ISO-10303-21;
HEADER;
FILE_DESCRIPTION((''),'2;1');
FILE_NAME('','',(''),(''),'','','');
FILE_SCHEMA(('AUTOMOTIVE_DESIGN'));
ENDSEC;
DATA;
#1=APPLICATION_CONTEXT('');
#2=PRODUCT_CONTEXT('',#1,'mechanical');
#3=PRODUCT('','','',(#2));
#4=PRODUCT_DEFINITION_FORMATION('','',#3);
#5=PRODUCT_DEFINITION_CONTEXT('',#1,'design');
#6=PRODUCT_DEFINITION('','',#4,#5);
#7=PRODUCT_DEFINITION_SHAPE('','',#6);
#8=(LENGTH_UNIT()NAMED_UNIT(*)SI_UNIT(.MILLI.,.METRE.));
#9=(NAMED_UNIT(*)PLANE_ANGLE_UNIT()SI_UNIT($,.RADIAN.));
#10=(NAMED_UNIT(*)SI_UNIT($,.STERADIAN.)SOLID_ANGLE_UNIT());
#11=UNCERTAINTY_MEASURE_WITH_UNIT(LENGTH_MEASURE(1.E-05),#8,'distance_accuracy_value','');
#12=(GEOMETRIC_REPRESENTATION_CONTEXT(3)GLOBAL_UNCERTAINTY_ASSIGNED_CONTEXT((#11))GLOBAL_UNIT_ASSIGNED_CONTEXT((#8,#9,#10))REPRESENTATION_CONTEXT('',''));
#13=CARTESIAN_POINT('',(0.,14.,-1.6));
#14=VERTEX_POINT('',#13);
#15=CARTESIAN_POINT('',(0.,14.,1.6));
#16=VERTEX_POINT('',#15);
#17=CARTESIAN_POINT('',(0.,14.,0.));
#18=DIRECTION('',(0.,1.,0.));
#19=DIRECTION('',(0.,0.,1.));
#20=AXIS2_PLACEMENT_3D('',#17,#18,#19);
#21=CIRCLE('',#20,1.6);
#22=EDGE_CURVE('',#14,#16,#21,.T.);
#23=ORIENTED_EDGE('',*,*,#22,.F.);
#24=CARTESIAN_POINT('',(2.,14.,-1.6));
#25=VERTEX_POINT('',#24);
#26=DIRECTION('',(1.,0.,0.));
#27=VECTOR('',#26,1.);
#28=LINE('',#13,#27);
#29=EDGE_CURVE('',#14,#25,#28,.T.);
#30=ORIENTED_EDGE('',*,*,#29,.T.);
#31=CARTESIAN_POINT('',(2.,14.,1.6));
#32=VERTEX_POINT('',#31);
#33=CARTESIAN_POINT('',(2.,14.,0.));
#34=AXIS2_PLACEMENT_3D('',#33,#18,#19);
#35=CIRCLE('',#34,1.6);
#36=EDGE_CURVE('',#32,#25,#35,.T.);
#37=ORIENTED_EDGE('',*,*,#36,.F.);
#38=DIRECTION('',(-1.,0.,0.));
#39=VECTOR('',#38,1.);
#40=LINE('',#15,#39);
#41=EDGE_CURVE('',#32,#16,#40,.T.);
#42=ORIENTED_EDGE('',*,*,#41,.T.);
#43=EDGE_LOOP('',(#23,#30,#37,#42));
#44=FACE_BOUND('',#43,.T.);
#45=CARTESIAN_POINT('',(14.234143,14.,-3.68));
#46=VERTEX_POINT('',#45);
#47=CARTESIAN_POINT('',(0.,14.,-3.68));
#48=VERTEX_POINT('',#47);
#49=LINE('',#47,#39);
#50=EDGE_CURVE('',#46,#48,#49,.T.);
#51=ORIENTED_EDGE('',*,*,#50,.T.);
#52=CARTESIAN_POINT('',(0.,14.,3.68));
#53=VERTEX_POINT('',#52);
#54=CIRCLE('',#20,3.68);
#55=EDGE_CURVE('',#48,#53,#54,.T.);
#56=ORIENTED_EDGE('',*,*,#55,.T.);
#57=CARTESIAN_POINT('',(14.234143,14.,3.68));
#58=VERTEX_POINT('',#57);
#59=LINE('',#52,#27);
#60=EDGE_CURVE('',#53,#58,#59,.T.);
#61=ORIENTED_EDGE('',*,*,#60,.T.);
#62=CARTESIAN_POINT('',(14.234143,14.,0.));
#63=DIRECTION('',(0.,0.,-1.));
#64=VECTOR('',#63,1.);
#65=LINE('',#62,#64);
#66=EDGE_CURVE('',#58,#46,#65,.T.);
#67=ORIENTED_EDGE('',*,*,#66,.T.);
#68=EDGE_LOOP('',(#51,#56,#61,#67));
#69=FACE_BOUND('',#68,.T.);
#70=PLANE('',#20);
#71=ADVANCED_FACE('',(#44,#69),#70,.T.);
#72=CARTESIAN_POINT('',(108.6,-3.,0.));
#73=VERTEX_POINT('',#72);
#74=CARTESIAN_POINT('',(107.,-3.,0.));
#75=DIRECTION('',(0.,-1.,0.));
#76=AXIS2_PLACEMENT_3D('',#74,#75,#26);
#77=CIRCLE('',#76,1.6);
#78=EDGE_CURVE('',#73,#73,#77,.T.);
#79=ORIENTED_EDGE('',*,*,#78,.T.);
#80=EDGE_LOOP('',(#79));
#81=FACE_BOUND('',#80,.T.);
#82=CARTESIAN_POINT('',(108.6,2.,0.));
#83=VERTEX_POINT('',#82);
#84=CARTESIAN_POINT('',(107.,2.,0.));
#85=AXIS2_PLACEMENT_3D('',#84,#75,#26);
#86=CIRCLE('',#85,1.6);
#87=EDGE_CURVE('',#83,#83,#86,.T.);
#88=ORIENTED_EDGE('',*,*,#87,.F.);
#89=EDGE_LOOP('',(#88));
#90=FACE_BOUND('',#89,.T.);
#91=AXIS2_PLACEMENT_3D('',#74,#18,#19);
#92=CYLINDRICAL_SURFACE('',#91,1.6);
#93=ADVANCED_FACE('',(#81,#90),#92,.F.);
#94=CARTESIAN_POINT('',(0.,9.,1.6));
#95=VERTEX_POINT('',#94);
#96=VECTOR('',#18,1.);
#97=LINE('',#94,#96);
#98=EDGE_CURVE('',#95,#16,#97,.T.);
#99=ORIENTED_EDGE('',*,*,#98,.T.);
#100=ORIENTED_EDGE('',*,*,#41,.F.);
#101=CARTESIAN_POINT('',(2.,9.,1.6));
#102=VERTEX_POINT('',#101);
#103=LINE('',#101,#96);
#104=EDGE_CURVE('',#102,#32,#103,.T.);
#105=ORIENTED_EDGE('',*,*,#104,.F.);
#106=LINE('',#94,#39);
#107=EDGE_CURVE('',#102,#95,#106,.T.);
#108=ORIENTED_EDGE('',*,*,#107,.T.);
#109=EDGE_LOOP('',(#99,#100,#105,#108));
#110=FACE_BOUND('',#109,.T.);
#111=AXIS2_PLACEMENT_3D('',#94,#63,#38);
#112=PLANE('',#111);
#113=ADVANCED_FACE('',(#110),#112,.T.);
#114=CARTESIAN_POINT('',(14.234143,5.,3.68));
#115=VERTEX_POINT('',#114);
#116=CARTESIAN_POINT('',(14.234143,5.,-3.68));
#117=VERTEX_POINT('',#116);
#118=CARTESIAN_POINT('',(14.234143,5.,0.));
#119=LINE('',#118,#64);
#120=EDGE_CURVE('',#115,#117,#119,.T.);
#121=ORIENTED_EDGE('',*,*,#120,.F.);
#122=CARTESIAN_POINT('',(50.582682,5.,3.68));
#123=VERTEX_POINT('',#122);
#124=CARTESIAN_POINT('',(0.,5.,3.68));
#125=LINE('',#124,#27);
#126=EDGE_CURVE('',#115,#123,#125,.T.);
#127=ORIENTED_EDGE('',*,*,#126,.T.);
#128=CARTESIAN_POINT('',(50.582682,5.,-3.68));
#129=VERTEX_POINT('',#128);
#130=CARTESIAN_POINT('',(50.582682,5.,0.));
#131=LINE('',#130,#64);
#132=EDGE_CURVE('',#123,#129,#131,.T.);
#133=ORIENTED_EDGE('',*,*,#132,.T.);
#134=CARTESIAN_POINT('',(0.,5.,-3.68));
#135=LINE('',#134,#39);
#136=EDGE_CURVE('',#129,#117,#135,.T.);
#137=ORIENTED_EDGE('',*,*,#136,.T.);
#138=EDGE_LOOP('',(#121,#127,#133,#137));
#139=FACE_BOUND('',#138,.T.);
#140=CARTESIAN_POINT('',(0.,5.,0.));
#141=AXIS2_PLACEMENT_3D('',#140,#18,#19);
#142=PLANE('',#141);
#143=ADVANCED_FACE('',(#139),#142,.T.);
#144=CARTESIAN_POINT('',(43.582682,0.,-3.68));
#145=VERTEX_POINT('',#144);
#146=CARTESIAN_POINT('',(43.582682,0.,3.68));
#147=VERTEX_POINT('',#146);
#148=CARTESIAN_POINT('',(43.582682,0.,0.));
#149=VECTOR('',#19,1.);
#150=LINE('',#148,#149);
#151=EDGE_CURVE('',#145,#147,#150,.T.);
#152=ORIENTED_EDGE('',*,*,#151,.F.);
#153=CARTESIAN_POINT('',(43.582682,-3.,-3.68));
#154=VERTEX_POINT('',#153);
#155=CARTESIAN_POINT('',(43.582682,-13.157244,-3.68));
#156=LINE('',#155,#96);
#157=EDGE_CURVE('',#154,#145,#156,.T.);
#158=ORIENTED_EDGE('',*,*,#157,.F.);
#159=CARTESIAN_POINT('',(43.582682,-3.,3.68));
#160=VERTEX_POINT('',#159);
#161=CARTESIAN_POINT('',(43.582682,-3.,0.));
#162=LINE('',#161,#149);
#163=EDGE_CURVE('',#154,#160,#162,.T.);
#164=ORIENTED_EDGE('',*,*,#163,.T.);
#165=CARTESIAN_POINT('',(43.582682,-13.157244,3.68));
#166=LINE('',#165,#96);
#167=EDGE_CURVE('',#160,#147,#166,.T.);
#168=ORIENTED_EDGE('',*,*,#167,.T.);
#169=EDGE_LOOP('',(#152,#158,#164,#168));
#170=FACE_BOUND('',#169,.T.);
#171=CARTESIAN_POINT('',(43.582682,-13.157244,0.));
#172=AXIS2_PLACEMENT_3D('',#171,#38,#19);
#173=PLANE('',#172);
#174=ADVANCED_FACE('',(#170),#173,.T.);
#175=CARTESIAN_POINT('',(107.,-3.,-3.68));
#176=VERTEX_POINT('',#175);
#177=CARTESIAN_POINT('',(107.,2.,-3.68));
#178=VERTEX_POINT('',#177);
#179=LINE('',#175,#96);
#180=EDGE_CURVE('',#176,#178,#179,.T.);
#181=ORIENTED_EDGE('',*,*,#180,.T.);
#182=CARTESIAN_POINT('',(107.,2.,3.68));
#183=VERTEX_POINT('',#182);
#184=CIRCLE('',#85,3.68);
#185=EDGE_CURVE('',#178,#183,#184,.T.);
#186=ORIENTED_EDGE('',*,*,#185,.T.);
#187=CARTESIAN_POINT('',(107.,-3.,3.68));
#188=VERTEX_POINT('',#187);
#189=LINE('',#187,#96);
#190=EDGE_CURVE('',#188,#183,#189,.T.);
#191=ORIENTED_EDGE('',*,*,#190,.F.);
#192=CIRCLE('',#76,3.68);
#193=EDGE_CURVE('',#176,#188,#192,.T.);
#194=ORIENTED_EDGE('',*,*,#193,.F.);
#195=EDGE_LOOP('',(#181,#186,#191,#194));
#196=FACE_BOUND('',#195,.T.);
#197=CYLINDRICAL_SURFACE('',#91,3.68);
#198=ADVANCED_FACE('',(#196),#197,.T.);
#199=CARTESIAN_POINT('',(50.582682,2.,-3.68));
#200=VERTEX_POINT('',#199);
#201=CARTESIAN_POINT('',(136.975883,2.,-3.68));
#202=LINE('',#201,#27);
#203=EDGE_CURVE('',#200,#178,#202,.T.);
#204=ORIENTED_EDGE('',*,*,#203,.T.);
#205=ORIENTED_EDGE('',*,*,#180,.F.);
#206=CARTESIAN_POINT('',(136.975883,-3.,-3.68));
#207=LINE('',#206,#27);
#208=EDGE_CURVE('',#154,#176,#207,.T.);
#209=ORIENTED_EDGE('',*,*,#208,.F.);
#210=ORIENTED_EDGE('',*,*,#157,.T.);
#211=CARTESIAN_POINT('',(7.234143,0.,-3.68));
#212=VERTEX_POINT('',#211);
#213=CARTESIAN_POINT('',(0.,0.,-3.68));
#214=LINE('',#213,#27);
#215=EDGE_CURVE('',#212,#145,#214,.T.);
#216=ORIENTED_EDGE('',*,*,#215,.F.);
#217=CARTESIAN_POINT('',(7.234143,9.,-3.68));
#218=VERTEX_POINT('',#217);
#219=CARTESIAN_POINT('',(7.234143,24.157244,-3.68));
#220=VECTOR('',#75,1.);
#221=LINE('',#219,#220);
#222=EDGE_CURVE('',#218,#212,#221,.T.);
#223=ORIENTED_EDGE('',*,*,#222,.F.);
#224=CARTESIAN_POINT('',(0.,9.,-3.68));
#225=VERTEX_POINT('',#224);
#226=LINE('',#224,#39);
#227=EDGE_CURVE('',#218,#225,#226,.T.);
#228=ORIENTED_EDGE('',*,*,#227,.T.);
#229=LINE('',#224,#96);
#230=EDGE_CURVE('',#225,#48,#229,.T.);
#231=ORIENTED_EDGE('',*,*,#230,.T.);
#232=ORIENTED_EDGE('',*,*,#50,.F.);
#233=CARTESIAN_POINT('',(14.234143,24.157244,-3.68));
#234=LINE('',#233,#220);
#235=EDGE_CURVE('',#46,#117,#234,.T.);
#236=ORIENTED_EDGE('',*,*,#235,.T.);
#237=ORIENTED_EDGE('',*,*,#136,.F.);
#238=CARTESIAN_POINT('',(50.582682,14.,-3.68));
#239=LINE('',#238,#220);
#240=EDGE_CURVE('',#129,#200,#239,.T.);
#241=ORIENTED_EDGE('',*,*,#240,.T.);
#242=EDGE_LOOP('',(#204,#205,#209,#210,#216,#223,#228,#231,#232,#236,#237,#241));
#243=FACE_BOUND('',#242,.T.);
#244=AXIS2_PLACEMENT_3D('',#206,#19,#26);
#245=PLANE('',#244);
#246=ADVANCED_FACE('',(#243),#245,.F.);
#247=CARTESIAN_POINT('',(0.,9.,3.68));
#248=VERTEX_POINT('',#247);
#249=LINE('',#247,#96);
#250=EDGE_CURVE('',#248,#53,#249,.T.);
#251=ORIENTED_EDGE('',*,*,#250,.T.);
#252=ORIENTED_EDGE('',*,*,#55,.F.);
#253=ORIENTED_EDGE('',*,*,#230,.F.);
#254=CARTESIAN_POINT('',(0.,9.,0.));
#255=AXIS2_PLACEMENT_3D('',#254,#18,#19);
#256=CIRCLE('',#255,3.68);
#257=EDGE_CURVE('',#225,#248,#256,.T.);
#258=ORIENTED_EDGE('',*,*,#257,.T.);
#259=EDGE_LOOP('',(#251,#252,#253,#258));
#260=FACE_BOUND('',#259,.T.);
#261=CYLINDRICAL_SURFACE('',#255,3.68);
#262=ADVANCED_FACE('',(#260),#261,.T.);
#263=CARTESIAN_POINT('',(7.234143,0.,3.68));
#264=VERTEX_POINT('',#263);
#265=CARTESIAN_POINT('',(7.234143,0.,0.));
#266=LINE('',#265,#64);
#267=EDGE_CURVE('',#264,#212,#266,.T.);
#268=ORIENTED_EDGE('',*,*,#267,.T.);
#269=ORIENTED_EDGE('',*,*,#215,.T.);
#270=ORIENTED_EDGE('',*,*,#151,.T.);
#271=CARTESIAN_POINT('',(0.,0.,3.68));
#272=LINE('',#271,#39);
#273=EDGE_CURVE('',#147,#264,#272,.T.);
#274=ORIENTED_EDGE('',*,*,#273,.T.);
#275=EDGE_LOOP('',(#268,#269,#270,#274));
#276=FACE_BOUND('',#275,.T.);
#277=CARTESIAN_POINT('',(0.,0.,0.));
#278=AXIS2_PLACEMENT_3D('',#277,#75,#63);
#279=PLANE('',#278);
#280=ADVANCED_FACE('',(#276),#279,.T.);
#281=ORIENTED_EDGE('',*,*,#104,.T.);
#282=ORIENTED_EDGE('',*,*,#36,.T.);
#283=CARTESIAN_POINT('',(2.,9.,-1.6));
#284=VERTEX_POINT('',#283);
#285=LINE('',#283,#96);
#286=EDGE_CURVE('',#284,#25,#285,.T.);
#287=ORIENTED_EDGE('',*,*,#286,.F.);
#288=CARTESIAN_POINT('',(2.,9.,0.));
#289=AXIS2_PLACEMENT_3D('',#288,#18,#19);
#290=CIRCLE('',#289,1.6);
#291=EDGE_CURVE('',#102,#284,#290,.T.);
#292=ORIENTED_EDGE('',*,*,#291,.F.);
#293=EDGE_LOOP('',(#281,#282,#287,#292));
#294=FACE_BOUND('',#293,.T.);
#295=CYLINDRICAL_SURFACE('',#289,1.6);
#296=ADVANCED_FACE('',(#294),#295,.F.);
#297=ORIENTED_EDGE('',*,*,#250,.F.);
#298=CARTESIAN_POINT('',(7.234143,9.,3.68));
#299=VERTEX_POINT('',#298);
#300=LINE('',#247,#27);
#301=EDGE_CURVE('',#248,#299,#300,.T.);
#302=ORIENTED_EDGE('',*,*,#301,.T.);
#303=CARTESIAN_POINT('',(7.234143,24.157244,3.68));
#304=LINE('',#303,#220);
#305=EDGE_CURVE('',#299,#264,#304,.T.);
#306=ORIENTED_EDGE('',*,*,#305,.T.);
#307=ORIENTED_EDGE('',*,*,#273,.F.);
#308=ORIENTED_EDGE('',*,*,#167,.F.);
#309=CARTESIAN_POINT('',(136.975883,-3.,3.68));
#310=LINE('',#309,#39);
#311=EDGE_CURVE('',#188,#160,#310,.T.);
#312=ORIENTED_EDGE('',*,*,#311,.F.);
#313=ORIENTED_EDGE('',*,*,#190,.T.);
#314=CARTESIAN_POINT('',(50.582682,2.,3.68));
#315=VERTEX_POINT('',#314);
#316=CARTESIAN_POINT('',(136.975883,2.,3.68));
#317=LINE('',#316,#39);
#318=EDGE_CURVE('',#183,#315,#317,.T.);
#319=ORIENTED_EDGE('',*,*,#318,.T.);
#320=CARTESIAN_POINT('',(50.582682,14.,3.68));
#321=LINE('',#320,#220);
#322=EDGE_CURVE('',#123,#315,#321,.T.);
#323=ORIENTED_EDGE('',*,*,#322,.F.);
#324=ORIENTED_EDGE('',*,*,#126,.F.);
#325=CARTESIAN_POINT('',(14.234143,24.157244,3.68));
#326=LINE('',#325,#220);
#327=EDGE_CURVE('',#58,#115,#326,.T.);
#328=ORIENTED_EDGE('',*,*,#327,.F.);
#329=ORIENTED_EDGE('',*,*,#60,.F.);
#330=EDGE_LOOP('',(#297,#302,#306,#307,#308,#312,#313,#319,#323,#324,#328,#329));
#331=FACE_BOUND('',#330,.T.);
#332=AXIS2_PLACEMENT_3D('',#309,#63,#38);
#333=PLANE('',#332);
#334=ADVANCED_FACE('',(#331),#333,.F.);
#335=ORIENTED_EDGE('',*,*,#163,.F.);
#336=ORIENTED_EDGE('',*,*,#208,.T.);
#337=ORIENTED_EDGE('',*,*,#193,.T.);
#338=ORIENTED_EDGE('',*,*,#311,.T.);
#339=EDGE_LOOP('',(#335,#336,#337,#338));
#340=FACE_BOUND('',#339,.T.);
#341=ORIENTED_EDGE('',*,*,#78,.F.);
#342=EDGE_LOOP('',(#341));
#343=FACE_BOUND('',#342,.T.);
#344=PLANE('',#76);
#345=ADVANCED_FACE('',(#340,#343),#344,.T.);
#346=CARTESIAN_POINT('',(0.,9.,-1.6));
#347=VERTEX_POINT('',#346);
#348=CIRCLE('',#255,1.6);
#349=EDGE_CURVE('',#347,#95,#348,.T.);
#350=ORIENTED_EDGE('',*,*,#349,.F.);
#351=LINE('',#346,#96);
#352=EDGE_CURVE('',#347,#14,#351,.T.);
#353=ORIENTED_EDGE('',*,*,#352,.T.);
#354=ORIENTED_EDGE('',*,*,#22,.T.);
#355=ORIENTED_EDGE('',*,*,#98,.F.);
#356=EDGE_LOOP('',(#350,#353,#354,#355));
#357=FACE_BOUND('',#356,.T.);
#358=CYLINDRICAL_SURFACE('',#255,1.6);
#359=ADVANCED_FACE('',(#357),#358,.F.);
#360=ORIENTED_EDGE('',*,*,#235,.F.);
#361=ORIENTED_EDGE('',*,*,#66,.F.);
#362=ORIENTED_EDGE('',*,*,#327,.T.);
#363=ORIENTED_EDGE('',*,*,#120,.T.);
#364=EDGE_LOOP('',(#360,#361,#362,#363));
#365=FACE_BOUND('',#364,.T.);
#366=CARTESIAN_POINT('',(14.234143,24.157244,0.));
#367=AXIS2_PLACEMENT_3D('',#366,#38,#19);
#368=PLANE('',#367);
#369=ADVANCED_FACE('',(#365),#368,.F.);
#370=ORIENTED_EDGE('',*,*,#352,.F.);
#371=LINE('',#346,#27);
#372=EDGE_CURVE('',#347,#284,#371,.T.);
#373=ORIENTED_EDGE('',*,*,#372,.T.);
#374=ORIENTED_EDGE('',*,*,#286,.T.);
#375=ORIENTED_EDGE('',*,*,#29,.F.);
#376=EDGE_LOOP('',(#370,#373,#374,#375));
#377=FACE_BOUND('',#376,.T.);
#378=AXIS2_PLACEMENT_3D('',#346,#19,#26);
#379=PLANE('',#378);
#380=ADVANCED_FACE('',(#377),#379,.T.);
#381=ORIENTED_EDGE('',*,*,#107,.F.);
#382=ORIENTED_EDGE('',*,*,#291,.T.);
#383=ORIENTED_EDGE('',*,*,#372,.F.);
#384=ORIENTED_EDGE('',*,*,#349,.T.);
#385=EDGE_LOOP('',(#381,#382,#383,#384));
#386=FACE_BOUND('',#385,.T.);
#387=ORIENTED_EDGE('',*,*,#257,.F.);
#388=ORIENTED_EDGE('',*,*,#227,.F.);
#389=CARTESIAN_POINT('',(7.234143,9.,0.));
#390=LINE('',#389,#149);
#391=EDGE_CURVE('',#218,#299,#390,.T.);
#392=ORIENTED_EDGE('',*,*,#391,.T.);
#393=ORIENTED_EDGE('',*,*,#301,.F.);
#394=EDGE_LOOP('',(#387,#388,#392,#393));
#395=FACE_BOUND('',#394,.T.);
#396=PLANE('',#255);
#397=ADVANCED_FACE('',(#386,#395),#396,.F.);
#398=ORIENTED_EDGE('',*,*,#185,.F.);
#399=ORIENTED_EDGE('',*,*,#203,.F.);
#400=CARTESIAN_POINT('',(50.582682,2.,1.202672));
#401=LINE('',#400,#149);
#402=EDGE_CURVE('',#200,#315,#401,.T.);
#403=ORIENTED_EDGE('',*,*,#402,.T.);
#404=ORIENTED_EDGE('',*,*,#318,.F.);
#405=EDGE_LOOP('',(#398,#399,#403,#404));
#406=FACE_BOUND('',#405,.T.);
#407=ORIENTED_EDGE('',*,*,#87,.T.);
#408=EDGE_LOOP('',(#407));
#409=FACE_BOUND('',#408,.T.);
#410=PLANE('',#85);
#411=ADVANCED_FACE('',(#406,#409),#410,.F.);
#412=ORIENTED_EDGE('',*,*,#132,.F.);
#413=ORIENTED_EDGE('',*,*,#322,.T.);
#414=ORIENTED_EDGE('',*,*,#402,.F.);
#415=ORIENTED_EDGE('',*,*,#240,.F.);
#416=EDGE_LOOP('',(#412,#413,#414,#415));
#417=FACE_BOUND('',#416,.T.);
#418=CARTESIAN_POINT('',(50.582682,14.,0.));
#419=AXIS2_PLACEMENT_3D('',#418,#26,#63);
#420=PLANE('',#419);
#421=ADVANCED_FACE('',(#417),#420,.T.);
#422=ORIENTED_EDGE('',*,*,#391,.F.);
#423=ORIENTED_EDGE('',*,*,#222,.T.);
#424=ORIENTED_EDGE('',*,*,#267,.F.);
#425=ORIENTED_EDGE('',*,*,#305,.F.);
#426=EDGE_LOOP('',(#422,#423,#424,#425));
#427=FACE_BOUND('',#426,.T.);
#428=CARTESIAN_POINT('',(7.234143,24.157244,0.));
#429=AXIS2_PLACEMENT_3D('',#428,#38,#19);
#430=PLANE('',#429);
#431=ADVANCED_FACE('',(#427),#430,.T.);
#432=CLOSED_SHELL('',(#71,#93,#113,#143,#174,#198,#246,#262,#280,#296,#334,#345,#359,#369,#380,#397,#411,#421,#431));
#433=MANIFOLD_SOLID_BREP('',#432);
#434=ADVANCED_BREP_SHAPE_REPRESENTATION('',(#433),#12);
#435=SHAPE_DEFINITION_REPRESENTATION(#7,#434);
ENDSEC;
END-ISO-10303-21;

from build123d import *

# Parameters (mm, degrees)
SKETCH1_R           = 1.6
BOSS_EXTRUDE1_DEPTH = 5
BOSS_EXTRUDE2_START = -14
BOSS_EXTRUDE2_DEPTH = 5
CUT_EXTRUDE1_DEPTH  = 5
SKETCH2_4_W         = 7
SKETCH2_4_H         = 7.36
BOSS_EXTRUDE3_DEPTH = 14
BOSS_EXTRUDE4_START = -2
SKETCH3_R           = 1.6
BOSS_EXTRUDE4_DEPTH = 5
SKETCH3_3_R         = 1.6
CUT_EXTRUDE2_DEPTH  = 112.622599862
SKETCH3_4_W         = 7
SKETCH3_4_H         = 7.36
BOSS_EXTRUDE5_DEPTH = 3


with BuildPart() as part:
    # Sketch1 → Boss-Extrude1 (new body)
    with BuildSketch(Plane(origin=(0, 0, 0), x_dir=(1, 0, 0), z_dir=(0, 1, 0))):
        with BuildLine():
            Line((0, 3.68), (107, 3.68))
            ThreePointArc((107, 3.68), (110.68, 0), (107, -3.68))
            Line((107, -3.68), (0, -3.68))
            ThreePointArc((0, -3.68), (-3.68, 0), (0, 3.68))
        make_face()
        with Locations(Location((107, 0, 0), (0, 0, 270))):
            Circle(SKETCH1_R, mode=Mode.SUBTRACT)
        with BuildLine():
            Line((0, 1.6), (2, 1.6))
            ThreePointArc((2, 1.6), (3.6, 0), (2, -1.6))
            Line((2, -1.6), (0, -1.6))
            ThreePointArc((0, -1.6), (-1.6, 0), (0, 1.6))
        make_face(mode=Mode.SUBTRACT)
    extrude(amount=BOSS_EXTRUDE1_DEPTH)

    # Sketch2<3> → Cut-Extrude1 (cut)
    with BuildSketch(Plane.XZ):
        with BuildLine():
            ThreePointArc((0, 3.68), (-3.68, 0), (0, -3.68))
            Line((0, -3.68), (7.234142504, -3.68))
            Line((7.234142504, -3.68), (7.234142504, 3.68))
            Line((7.234142504, 3.68), (0, 3.68))
        make_face()
        with BuildLine():
            ThreePointArc((0, -1.6), (-1.6, 0), (0, 1.6))
            Line((0, 1.6), (2, 1.6))
            ThreePointArc((2, 1.6), (3.6, 0), (2, -1.6))
            Line((2, -1.6), (0, -1.6))
        make_face(mode=Mode.SUBTRACT)
    extrude(amount=-CUT_EXTRUDE1_DEPTH, mode=Mode.SUBTRACT)



with BuildPart() as body_2:
    # Sketch2 → Boss-Extrude2 (new body)
    with BuildSketch(Plane.XZ.offset(BOSS_EXTRUDE2_START)):
        with BuildLine():
            ThreePointArc((0, 3.68), (-3.68, 0), (0, -3.68))
            Line((0, -3.68), (7.234142504, -3.68))
            Line((7.234142504, -3.68), (7.234142504, 3.68))
            Line((7.234142504, 3.68), (0, 3.68))
        make_face()
        with BuildLine():
            ThreePointArc((0, -1.6), (-1.6, 0), (0, 1.6))
            Line((0, 1.6), (2, 1.6))
            ThreePointArc((2, 1.6), (3.6, 0), (2, -1.6))
            Line((2, -1.6), (0, -1.6))
        make_face(mode=Mode.SUBTRACT)
    extrude(amount=BOSS_EXTRUDE2_DEPTH)


with BuildPart() as part_1:
    add(part.part)

    add(body_2.part)  # Boss-Extrude3 merges body 2
    # Sketch2<4> → Boss-Extrude3 (add)
    with BuildSketch(Plane.XZ):
        with Locations((10.734142504, 0)):
            Rectangle(SKETCH2_4_W, SKETCH2_4_H)
    extrude(amount=-BOSS_EXTRUDE3_DEPTH)

    # Sketch3<3> → Cut-Extrude2 (cut, through all)
    # profile 1 of 2: a face of its own
    with BuildSketch(Plane.XZ):
        with BuildLine():
            ThreePointArc((110.68, 0), (109.602152955, 2.602152955), (107, 3.68))
            ThreePointArc((107, 3.68), (103.32, 0), (107, -3.68))
            ThreePointArc((107, -3.68), (109.602152955, -2.602152955), (110.68, 0))
        make_face()
        with Locations((107, 0)):
            Circle(SKETCH3_3_R, mode=Mode.SUBTRACT)
    # profile 2 of 2: a face of its own
    with BuildSketch(Plane.XZ):
        with BuildLine():
            ThreePointArc((107, -3.68), (103.32, 0), (107, 3.68))
            Line((107, 3.68), (50.58268169, 3.68))
            Line((50.58268169, 3.68), (50.58268169, -3.68))
            Line((50.58268169, -3.68), (107, -3.68))
        make_face()
    extrude(amount=-CUT_EXTRUDE2_DEPTH, mode=Mode.SUBTRACT)



with BuildPart() as body_2_2:
    # Sketch3 → Boss-Extrude4 (new body)
    # profile 1 of 2: a face of its own
    with BuildSketch(Plane.XZ.offset(BOSS_EXTRUDE4_START)):
        with BuildLine():
            ThreePointArc((107, -3.68), (103.32, 0), (107, 3.68))
            Line((107, 3.68), (50.58268169, 3.68))
            Line((50.58268169, 3.68), (50.58268169, -3.68))
            Line((50.58268169, -3.68), (107, -3.68))
        make_face()
    # profile 2 of 2: a face of its own
    with BuildSketch(Plane.XZ.offset(BOSS_EXTRUDE4_START)):
        with BuildLine():
            ThreePointArc((110.68, 0), (109.602152955, 2.602152955), (107, 3.68))
            ThreePointArc((107, 3.68), (103.32, 0), (107, -3.68))
            ThreePointArc((107, -3.68), (109.602152955, -2.602152955), (110.68, 0))
        make_face()
        with Locations((107, 0)):
            Circle(SKETCH3_R, mode=Mode.SUBTRACT)
    extrude(amount=BOSS_EXTRUDE4_DEPTH)


with BuildPart() as part_2:
    add(part_1.part)

    add(body_2_2.part)  # Boss-Extrude5 merges body 2 2
    # Sketch3<4> → Boss-Extrude5 (add)
    with BuildSketch(Plane.XZ):
        with Locations((47.08268169, 0)):
            Rectangle(SKETCH3_4_W, SKETCH3_4_H)
    extrude(amount=BOSS_EXTRUDE5_DEPTH)


solid = part_2.part
